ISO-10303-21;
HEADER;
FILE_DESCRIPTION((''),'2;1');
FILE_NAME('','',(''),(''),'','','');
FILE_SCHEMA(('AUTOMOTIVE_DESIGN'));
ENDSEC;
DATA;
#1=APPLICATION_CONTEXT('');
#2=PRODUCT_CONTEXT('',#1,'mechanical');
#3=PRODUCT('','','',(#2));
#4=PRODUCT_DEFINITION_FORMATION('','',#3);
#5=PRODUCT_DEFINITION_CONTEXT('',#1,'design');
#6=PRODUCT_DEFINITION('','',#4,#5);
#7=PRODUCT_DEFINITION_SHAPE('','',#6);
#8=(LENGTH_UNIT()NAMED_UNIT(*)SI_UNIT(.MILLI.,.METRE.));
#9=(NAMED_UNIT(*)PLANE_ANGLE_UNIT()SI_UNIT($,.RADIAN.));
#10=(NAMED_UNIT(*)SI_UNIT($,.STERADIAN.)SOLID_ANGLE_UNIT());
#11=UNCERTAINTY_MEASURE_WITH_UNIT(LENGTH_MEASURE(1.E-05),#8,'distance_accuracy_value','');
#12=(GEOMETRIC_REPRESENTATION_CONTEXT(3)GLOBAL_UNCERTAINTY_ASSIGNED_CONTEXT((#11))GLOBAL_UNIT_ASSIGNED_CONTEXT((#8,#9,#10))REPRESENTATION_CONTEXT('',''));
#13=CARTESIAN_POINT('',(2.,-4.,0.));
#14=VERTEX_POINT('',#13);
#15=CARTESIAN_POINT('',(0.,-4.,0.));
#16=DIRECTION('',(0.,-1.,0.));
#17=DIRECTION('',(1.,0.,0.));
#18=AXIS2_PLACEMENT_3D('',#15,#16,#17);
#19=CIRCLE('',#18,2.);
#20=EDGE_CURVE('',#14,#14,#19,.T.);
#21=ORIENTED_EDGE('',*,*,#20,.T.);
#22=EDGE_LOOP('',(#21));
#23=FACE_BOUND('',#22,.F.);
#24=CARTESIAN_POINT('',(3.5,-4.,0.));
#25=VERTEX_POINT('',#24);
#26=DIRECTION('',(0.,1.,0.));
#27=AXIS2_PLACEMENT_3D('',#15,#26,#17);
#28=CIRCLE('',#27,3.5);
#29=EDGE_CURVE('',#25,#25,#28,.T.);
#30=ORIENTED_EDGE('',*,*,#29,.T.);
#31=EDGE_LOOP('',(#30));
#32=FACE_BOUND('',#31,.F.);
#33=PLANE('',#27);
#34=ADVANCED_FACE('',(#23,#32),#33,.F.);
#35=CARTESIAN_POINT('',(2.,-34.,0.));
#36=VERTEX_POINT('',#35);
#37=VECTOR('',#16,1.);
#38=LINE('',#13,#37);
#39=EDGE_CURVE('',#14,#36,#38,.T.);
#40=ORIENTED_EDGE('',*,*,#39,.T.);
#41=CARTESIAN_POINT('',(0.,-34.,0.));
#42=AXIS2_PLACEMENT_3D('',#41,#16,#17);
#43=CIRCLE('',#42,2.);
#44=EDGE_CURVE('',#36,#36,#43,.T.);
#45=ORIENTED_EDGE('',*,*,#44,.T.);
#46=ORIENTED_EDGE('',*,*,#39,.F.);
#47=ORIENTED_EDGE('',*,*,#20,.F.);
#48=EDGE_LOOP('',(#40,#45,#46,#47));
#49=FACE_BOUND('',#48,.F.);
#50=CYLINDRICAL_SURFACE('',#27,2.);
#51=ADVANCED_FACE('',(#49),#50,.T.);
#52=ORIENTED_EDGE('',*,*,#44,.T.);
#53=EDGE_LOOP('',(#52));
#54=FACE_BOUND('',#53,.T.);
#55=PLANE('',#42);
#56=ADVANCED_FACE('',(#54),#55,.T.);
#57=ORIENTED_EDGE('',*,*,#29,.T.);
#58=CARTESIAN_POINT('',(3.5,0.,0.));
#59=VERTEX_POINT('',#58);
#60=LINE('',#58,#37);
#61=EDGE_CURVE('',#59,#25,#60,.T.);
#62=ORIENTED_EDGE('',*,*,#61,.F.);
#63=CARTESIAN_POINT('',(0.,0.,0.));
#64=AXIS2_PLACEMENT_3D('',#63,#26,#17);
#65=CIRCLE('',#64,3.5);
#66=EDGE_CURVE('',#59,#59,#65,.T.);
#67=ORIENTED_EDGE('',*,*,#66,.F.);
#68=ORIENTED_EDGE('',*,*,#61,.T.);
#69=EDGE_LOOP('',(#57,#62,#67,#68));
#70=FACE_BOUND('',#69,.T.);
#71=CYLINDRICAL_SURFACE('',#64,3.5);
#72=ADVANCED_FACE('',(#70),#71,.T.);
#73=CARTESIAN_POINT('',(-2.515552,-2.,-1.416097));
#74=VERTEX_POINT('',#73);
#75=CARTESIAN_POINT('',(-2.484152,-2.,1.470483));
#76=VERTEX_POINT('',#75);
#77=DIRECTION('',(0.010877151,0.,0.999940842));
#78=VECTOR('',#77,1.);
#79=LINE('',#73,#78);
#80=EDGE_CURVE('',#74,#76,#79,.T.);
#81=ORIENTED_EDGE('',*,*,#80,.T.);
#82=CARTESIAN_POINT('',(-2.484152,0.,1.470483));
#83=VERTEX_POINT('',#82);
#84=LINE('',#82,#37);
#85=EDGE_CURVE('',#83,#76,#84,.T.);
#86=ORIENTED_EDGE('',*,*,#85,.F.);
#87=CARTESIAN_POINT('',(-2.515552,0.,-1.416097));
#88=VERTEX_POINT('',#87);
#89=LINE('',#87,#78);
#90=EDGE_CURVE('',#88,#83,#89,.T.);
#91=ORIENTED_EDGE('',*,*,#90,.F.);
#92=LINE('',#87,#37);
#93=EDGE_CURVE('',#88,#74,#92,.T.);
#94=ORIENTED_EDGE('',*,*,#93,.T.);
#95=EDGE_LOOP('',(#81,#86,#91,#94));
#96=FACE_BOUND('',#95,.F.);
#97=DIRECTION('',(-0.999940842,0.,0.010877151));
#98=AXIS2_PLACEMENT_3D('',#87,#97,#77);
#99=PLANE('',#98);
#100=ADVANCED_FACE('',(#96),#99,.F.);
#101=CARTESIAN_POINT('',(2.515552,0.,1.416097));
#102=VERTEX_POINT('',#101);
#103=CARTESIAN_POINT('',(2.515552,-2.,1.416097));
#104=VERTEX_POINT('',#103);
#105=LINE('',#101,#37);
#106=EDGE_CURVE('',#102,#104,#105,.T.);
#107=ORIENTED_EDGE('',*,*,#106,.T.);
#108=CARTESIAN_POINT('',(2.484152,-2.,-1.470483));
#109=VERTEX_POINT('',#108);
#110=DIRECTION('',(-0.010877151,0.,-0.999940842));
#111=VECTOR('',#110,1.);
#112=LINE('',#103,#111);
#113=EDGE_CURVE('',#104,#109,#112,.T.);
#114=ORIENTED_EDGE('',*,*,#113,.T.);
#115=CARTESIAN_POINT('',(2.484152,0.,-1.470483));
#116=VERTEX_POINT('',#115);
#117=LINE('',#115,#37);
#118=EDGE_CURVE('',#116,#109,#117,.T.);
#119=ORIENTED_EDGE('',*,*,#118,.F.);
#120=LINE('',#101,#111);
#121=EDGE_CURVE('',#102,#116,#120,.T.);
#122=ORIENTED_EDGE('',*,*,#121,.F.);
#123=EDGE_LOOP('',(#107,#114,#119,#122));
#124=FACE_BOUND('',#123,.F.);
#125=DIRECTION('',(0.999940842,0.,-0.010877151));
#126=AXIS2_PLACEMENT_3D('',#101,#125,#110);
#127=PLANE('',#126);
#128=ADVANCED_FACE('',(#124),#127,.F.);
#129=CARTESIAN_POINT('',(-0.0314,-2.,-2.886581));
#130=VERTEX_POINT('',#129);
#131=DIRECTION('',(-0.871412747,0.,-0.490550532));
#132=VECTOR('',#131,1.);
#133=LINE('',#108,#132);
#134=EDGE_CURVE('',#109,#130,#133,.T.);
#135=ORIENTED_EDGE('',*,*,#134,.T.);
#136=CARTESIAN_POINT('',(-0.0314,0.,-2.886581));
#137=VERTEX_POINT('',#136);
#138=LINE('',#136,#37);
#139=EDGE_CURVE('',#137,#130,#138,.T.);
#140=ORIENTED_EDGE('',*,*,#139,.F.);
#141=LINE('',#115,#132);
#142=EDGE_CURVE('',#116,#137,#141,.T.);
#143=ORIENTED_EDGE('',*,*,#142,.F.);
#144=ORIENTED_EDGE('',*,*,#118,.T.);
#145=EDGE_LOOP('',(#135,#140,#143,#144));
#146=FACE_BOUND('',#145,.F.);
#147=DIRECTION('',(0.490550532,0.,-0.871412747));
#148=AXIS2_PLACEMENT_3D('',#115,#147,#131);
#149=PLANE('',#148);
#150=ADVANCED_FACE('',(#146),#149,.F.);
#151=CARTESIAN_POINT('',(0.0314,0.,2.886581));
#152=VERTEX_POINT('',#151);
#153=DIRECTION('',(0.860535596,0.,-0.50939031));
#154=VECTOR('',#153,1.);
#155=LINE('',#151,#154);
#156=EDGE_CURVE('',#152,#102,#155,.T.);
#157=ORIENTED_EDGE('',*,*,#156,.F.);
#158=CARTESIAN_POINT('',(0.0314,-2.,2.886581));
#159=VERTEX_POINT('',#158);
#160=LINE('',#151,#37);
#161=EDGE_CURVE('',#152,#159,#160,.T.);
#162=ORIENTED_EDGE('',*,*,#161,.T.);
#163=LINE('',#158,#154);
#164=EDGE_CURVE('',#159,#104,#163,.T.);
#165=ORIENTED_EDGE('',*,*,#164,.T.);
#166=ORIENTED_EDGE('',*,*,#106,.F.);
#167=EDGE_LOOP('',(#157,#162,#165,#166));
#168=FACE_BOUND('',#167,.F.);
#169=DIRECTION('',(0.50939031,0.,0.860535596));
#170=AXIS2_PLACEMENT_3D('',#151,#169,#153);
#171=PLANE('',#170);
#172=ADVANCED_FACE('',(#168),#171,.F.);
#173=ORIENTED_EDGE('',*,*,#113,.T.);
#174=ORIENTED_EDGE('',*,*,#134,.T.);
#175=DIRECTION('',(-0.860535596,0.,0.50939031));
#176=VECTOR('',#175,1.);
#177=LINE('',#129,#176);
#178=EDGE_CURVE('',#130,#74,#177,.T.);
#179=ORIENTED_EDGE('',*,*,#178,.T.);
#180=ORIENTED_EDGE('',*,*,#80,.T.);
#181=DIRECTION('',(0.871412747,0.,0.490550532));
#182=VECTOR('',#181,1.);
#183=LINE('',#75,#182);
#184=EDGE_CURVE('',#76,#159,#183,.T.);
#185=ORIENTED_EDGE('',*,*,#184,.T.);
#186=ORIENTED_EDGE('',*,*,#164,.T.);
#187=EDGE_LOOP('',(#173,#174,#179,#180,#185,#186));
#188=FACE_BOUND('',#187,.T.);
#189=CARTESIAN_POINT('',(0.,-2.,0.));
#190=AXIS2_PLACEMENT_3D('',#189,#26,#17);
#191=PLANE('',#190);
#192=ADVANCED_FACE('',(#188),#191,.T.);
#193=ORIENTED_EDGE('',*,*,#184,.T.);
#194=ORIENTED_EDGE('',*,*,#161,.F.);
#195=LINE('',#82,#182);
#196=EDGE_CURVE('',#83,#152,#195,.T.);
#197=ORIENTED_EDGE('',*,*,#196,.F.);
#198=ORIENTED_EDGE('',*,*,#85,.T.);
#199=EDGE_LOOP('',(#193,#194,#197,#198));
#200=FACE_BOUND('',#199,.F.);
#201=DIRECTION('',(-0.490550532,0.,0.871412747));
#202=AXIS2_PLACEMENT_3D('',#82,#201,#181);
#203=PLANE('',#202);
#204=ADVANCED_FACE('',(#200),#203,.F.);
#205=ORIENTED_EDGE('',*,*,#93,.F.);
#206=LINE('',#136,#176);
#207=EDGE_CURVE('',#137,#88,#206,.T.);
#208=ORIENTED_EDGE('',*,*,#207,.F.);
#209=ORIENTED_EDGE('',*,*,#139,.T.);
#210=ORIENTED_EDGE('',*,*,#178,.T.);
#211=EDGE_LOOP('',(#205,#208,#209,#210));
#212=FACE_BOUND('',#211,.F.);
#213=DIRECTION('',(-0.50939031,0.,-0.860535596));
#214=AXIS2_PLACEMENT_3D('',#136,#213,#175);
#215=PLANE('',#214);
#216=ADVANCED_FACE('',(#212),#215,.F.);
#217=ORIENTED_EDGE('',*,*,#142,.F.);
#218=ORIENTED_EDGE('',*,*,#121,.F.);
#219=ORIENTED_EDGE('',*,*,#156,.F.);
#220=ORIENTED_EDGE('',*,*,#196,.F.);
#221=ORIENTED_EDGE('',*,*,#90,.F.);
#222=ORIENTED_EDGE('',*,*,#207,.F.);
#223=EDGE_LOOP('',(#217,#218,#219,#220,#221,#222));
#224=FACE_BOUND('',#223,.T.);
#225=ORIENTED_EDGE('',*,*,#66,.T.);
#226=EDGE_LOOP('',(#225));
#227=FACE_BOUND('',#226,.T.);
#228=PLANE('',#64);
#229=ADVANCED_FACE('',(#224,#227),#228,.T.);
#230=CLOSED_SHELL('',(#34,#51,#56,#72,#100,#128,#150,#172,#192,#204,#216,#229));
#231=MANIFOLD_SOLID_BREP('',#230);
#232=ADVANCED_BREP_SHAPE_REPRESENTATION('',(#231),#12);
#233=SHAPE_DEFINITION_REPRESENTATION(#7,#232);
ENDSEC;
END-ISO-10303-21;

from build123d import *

# Parameters (mm, degrees)
SKETCH_1_R          = 3.5
EXTRUDE_1_DEPTH     = 4
SKETCH_2_R          = 2
EXTRUDE_2_DEPTH     = 30
CUT_EXTRUDE_1_DEPTH = 2


with BuildPart() as part:
    # 草图1 → 凸台-拉伸1 (new body)
    with BuildSketch(Plane(origin=(0, 0, 0), x_dir=(1, 0, 0), z_dir=(0, 1, 0))):
        Circle(SKETCH_1_R)
    extrude(amount=-EXTRUDE_1_DEPTH)

    # 草图2 → 凸台-拉伸2 (add)
    with BuildSketch(Plane.XZ.offset(4)):
        Circle(SKETCH_2_R)
    extrude(amount=EXTRUDE_2_DEPTH)

    # 草图3 → 切除-拉伸1 (cut)
    with BuildSketch(Plane(origin=(0, 0, 0), x_dir=(1, 0, 0), z_dir=(0, 1, 0))):
        Polygon((2.51555192, -1.416097409), (2.484152291, 1.470483162), (-0.031399629, 2.886580572), (-2.51555192, 1.416097409), (-2.484152291, -1.470483162), (0.031399629, -2.886580572), align=None)
    extrude(amount=-CUT_EXTRUDE_1_DEPTH, mode=Mode.SUBTRACT)


solid = part.part
